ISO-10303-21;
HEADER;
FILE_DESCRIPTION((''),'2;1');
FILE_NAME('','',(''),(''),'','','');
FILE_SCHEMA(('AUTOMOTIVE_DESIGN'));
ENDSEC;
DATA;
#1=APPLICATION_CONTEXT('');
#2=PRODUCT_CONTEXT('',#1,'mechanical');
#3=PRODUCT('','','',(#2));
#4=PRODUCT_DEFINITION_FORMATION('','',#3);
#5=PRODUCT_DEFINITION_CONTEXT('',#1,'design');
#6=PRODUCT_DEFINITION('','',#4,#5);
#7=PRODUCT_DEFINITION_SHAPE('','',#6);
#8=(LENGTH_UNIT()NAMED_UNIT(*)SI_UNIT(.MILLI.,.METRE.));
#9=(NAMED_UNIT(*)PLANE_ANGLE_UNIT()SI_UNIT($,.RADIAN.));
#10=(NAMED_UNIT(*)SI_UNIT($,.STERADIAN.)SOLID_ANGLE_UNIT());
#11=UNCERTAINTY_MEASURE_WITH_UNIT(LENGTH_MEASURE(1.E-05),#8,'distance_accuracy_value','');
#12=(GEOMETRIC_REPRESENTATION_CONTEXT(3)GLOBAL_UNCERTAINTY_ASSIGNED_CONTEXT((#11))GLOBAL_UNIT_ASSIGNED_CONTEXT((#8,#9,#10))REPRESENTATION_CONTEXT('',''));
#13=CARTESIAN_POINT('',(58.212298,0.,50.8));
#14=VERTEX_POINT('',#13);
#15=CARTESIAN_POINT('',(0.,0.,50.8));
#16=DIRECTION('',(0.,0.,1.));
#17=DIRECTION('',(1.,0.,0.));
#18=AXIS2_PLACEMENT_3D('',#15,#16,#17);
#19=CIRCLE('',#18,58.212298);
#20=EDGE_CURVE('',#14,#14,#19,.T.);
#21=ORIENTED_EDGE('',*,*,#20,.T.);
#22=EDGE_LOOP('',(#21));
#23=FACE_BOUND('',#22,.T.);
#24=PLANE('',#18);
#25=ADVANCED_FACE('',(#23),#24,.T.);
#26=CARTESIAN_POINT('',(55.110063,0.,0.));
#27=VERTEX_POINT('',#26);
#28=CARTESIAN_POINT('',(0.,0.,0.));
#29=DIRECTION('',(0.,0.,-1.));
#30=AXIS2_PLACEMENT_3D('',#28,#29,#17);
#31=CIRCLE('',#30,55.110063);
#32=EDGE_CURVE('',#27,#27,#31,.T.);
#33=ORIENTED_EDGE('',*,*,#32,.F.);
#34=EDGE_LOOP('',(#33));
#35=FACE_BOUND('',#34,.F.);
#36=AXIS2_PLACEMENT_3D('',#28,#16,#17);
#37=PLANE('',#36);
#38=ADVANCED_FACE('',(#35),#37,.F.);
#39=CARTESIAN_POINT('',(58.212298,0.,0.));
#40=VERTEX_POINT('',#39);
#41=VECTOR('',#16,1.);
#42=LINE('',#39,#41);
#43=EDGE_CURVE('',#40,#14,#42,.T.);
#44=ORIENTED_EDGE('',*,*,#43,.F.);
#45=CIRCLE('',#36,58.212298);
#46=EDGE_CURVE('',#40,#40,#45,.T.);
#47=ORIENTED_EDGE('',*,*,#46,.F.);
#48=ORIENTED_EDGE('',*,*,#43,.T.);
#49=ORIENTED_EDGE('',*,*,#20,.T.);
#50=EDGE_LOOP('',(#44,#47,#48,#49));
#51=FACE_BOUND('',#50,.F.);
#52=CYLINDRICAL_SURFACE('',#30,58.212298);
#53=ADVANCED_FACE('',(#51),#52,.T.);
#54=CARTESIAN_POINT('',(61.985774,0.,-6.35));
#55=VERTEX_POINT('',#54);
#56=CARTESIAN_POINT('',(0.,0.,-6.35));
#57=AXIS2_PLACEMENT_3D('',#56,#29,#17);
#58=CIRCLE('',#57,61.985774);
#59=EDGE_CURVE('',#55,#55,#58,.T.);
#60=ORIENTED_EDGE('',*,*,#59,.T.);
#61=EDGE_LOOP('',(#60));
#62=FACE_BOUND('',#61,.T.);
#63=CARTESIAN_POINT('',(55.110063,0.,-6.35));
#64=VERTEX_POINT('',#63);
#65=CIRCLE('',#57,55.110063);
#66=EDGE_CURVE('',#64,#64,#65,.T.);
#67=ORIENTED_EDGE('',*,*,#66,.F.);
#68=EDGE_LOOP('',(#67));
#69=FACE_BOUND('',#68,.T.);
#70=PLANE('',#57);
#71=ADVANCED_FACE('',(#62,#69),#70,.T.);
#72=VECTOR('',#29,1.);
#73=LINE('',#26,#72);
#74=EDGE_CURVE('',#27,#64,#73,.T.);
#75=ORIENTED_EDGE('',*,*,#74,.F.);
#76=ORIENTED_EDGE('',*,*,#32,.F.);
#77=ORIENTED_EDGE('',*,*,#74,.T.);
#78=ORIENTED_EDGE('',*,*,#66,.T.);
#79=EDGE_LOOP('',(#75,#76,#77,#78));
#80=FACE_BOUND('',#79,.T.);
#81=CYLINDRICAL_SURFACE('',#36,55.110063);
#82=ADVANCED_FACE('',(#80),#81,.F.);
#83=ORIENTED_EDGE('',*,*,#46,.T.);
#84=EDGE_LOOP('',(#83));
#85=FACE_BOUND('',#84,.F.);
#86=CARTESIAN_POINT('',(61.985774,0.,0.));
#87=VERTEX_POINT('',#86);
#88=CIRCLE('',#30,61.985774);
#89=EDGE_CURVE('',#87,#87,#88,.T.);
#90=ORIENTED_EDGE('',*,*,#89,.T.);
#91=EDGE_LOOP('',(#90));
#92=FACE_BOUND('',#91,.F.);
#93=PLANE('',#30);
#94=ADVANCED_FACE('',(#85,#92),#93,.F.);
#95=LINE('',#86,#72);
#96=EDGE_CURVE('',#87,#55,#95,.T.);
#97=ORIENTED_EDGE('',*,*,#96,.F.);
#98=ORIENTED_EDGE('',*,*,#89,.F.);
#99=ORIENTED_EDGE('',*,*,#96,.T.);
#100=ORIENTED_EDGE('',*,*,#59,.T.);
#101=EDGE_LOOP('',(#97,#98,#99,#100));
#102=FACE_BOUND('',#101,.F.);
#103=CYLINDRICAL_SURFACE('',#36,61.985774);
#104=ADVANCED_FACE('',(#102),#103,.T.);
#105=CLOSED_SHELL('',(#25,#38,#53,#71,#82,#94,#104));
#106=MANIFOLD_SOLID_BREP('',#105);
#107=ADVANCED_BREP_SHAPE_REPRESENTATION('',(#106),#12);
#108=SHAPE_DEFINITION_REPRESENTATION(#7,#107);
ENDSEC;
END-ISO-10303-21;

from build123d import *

# Parameters (mm, degrees)
F0_R     = 58.212298
F1_DEPTH = 50.8
F2_R     = 61.985774
F2_R_2   = 55.110063
F3_DEPTH = 6.35


with BuildPart() as f1:
    # F0 (on Top) → F1 (new body)
    with BuildSketch(Plane.XY):
        Circle(F0_R)
    extrude(amount=F1_DEPTH)

    # F2 (on face) → F3 (join)
    with BuildSketch(Plane(origin=(0, 0, 0), x_dir=(1, 0, 0), z_dir=(0, 0, -1))):
        Circle(F2_R)
        Circle(F2_R_2, mode=Mode.SUBTRACT)
    extrude(amount=F3_DEPTH)


solid = f1.part
